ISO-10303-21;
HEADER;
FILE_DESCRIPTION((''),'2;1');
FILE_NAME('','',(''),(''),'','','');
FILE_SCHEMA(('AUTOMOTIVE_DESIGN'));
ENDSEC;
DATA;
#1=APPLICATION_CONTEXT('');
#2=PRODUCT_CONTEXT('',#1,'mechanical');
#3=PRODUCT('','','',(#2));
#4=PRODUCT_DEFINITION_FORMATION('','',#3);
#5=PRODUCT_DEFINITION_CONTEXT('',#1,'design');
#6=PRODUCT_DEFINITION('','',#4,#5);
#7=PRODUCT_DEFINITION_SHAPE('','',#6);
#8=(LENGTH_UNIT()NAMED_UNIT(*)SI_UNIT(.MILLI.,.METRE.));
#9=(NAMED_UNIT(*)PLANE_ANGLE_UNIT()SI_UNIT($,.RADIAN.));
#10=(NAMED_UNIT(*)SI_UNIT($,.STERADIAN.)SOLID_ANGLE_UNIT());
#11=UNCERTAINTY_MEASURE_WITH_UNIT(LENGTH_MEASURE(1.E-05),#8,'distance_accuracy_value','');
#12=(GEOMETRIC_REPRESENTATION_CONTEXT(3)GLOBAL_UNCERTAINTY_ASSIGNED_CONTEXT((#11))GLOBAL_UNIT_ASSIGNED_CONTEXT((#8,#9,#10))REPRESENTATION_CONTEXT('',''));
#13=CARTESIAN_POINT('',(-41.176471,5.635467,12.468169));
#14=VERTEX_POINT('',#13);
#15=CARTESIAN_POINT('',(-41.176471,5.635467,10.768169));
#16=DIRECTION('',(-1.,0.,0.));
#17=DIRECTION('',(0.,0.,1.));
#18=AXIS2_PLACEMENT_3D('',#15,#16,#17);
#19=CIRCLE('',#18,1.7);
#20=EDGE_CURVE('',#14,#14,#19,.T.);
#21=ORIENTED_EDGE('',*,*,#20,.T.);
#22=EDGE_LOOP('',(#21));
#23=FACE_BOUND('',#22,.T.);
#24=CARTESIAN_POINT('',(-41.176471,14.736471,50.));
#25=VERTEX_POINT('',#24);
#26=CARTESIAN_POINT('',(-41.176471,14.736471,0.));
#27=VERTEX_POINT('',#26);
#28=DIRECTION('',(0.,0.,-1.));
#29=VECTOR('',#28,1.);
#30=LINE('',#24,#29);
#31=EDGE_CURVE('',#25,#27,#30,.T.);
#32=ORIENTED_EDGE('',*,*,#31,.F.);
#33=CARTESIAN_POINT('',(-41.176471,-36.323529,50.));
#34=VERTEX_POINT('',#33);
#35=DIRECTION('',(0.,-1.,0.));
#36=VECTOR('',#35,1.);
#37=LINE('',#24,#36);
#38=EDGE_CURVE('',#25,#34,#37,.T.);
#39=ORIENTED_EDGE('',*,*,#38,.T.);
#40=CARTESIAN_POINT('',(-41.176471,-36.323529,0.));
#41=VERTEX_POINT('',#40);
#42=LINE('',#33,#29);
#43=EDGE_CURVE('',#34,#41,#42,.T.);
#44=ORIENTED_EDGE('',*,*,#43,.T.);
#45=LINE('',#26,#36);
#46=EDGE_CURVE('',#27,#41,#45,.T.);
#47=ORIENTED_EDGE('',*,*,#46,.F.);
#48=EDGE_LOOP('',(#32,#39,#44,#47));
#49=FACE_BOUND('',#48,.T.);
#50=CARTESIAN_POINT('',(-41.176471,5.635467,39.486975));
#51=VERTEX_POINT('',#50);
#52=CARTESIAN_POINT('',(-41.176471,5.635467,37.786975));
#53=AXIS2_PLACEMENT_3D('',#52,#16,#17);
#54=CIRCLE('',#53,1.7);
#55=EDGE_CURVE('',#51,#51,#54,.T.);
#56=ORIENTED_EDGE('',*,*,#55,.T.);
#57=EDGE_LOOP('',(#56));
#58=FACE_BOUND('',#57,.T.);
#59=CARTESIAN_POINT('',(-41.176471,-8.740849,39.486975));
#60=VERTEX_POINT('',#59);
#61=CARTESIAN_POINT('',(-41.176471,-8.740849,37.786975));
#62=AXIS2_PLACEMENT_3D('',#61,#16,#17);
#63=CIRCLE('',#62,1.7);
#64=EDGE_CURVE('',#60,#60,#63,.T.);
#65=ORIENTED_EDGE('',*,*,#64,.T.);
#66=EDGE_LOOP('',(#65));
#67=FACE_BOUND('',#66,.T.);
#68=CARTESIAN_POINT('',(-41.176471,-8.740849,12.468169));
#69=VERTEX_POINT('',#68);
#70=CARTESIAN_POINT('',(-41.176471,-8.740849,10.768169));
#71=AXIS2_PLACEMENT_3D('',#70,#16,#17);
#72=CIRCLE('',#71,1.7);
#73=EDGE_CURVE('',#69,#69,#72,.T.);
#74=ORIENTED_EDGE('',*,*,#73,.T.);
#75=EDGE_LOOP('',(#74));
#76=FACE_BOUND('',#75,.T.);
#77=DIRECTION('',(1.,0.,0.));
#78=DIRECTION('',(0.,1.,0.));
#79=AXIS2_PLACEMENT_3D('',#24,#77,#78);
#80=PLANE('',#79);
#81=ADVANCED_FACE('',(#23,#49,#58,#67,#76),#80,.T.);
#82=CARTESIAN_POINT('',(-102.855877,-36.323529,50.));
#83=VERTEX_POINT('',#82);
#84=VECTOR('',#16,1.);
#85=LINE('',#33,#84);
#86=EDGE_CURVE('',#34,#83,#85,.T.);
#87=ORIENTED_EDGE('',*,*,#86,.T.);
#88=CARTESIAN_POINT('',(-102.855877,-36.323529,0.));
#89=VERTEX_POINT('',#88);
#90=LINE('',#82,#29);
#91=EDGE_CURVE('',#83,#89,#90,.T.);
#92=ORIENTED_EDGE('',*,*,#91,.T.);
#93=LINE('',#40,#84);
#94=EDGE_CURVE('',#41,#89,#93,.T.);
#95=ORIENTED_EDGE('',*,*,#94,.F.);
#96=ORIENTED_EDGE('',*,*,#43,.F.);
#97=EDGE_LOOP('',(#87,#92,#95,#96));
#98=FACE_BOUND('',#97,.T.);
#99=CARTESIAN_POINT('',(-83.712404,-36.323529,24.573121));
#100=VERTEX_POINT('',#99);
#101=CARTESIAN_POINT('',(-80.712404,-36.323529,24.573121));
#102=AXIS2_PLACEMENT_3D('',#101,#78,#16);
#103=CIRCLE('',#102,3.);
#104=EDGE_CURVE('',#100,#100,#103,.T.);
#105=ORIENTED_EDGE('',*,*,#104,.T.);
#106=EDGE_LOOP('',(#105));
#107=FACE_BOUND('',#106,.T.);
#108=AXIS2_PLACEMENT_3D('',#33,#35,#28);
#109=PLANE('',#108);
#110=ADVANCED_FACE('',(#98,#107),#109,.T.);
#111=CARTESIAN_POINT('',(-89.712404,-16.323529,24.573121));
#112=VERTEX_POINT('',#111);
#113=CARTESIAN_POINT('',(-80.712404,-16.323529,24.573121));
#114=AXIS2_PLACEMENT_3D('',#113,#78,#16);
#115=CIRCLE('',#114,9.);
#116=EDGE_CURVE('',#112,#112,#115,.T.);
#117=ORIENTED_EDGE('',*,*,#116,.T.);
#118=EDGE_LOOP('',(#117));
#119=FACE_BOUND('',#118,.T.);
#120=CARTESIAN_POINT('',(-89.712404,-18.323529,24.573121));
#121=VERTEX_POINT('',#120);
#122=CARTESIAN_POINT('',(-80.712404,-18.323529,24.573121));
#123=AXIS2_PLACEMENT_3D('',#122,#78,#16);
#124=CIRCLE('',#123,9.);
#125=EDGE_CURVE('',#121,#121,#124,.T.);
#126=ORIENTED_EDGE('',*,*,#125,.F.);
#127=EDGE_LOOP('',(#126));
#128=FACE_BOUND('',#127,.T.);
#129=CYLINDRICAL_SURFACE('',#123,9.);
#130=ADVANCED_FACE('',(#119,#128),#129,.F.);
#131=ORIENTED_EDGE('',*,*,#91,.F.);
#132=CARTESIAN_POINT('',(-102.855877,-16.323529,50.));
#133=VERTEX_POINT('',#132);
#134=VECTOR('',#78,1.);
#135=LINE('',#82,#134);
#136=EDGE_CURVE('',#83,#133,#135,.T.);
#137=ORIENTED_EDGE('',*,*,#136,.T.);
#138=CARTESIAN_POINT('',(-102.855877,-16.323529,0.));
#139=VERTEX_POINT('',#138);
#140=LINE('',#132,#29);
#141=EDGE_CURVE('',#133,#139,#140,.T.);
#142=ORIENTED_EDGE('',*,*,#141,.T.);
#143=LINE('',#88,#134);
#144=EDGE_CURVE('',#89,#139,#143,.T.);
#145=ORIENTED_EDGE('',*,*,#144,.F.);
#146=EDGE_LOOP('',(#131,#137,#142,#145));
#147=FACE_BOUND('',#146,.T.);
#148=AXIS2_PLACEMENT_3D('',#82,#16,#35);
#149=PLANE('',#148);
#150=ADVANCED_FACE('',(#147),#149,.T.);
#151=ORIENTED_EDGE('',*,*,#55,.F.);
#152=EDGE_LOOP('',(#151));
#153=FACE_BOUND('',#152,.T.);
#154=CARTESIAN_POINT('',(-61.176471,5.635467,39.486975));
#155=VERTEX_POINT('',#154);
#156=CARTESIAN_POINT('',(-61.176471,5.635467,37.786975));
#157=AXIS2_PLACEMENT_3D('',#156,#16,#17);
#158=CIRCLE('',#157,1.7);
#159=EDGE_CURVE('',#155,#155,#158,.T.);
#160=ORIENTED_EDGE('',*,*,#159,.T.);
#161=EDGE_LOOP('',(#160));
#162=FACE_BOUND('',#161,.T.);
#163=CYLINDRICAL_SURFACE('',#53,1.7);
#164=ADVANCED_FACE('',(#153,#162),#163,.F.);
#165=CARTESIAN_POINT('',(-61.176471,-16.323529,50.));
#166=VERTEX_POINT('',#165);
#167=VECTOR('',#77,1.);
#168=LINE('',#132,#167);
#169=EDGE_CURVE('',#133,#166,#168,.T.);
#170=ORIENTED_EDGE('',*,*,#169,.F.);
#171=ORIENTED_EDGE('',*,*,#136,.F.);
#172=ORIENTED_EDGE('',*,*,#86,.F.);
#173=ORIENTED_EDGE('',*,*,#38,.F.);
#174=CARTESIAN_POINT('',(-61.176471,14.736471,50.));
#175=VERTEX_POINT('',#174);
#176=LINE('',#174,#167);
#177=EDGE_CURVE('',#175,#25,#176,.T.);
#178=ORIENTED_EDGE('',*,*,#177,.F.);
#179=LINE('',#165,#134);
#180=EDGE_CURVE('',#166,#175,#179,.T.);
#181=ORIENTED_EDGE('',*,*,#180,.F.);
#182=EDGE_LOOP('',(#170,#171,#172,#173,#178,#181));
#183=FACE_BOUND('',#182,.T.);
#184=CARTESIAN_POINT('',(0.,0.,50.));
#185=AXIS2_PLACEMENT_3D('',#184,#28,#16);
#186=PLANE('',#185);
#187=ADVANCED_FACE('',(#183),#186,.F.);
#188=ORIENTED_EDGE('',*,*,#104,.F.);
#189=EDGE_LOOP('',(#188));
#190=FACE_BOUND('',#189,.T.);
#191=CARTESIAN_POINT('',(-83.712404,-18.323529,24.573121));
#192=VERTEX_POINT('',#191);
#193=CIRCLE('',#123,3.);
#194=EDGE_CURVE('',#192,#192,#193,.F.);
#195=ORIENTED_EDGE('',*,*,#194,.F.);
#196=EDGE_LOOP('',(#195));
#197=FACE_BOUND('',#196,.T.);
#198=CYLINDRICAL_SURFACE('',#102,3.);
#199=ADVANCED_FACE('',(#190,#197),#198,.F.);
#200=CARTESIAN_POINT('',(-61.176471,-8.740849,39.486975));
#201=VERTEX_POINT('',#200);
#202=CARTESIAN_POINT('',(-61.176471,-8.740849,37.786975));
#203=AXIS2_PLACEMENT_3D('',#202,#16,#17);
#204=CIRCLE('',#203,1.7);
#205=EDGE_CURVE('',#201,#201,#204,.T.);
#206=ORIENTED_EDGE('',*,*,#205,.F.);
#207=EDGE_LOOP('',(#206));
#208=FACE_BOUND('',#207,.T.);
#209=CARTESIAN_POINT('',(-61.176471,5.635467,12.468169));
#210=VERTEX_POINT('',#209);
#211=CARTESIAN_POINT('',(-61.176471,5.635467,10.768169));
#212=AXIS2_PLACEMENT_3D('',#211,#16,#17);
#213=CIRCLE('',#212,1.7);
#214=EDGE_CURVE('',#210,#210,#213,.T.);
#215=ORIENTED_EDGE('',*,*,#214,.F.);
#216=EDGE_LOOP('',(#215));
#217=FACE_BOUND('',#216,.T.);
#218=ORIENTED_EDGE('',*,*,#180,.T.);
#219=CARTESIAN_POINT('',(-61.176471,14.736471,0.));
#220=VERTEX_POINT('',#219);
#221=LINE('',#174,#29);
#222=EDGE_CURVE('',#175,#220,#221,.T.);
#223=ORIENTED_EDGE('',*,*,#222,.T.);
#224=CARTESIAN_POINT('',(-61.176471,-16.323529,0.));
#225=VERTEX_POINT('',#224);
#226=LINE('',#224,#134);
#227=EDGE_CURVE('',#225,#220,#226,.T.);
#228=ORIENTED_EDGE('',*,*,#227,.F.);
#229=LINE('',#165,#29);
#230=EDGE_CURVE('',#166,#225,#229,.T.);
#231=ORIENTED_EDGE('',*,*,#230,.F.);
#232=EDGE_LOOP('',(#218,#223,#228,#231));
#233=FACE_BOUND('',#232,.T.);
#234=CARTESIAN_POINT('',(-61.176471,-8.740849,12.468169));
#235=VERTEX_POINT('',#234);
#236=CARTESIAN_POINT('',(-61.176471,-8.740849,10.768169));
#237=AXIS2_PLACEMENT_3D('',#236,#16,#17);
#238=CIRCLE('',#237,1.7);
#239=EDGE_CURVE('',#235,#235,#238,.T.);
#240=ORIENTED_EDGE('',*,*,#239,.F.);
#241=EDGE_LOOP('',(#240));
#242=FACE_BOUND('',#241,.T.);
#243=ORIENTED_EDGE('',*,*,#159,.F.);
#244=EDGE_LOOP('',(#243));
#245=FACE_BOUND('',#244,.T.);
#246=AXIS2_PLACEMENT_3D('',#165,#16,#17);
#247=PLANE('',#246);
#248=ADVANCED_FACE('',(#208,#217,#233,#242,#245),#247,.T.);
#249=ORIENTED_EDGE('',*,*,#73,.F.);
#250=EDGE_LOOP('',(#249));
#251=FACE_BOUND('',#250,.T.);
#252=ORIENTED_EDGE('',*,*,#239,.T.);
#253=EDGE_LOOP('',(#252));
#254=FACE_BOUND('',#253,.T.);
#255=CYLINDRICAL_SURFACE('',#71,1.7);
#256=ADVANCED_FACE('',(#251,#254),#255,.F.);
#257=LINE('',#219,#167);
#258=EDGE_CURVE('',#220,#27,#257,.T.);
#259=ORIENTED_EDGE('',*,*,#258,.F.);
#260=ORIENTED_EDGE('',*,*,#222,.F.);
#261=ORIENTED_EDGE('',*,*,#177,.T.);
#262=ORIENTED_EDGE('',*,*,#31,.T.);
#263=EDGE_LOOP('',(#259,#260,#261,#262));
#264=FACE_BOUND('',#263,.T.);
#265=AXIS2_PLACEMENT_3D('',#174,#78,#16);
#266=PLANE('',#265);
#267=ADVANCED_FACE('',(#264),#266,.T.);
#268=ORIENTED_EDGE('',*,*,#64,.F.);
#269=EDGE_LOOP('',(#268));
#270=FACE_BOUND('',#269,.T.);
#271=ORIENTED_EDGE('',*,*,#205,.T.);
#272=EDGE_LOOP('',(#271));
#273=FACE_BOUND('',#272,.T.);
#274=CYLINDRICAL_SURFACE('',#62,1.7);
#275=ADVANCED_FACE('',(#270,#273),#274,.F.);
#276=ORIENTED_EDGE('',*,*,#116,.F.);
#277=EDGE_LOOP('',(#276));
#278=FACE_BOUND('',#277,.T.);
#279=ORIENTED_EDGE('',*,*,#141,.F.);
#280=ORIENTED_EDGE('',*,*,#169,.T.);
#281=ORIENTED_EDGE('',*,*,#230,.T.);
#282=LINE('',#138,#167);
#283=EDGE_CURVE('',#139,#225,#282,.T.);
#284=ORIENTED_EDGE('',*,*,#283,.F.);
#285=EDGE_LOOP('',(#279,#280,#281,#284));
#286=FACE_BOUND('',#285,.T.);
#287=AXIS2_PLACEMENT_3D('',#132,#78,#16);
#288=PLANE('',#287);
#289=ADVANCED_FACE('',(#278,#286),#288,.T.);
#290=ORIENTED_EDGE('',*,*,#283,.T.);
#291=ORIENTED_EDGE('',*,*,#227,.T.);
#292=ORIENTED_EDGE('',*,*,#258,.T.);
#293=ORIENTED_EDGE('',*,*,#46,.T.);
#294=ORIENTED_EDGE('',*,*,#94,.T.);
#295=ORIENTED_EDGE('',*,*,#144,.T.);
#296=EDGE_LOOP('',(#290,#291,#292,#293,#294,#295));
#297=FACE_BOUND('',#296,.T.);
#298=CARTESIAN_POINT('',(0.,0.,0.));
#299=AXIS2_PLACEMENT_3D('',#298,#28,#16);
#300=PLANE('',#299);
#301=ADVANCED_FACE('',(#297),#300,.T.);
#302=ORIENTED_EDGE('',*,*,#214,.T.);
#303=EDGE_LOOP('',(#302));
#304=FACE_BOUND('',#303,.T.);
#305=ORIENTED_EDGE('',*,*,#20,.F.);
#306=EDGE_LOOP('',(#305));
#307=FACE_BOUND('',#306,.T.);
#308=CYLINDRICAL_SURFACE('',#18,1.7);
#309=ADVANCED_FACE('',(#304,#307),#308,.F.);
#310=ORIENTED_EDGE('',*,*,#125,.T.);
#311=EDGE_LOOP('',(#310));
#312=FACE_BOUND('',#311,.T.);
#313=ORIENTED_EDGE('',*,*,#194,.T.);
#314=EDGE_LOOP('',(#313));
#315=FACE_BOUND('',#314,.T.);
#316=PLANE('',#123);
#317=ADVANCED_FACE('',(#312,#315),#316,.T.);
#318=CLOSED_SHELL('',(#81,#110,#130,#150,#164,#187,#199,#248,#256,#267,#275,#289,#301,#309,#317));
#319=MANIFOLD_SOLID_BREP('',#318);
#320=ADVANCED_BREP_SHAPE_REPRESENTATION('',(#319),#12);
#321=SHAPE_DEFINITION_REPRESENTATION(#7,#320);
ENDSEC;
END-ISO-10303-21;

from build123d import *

# Parameters (mm, degrees)
BOSS_EXTRUDE1_DEPTH = 50
SKETCH2_R           = 1.7
CUT_EXTRUDE2_DEPTH  = 75.542415548
SKETCH3_R           = 3
CUT_EXTRUDE3_DEPTH  = 119.507616013
SKETCH4_R           = 9
CUT_EXTRUDE4_DEPTH  = 2


with BuildPart() as part:
    # Sketch1 → Boss-Extrude1 (new body)
    with BuildSketch(Plane.XY):
        Polygon((-41.176470588, 14.736470588), (-41.176470588, -36.323529412), (-102.855877095, -36.323529412), (-102.855877095, -16.323529412), (-61.176470588, -16.323529412), (-61.176470588, 14.736470588), align=None)
    extrude(amount=BOSS_EXTRUDE1_DEPTH)

    # Sketch2 → Cut-Extrude2 (cut, through all)
    with BuildSketch(Plane.ZY.offset(61.176470588)):
        with Locations((10.768169464, 5.635466658)):
            Circle(SKETCH2_R)
        with Locations((37.786974644, 5.635466658)):
            Circle(SKETCH2_R)
        with Locations((10.768169464, -8.740849467)):
            Circle(SKETCH2_R)
        with Locations((37.786974644, -8.740849467)):
            Circle(SKETCH2_R)
    extrude(amount=-CUT_EXTRUDE2_DEPTH, mode=Mode.SUBTRACT)

    # Sketch3 → Cut-Extrude3 (cut, through all)
    with BuildSketch(Plane(origin=(0, -16.323529412, 0), x_dir=(1, 0, 0), z_dir=(0, 1, 0))):
        with Locations(Location((-80.712404336, -24.573120592, 0), (0, 0, 180))):
            Circle(SKETCH3_R)
    extrude(amount=-CUT_EXTRUDE3_DEPTH, mode=Mode.SUBTRACT)

    # Sketch4 → Cut-Extrude4 (cut)
    with BuildSketch(Plane(origin=(0, -16.323529412, 0), x_dir=(1, 0, 0), z_dir=(0, 1, 0))):
        with Locations(Location((-80.712404336, -24.573120592, 0), (0, 0, 180))):
            Circle(SKETCH4_R)
    extrude(amount=-CUT_EXTRUDE4_DEPTH, mode=Mode.SUBTRACT)


solid = part.part
